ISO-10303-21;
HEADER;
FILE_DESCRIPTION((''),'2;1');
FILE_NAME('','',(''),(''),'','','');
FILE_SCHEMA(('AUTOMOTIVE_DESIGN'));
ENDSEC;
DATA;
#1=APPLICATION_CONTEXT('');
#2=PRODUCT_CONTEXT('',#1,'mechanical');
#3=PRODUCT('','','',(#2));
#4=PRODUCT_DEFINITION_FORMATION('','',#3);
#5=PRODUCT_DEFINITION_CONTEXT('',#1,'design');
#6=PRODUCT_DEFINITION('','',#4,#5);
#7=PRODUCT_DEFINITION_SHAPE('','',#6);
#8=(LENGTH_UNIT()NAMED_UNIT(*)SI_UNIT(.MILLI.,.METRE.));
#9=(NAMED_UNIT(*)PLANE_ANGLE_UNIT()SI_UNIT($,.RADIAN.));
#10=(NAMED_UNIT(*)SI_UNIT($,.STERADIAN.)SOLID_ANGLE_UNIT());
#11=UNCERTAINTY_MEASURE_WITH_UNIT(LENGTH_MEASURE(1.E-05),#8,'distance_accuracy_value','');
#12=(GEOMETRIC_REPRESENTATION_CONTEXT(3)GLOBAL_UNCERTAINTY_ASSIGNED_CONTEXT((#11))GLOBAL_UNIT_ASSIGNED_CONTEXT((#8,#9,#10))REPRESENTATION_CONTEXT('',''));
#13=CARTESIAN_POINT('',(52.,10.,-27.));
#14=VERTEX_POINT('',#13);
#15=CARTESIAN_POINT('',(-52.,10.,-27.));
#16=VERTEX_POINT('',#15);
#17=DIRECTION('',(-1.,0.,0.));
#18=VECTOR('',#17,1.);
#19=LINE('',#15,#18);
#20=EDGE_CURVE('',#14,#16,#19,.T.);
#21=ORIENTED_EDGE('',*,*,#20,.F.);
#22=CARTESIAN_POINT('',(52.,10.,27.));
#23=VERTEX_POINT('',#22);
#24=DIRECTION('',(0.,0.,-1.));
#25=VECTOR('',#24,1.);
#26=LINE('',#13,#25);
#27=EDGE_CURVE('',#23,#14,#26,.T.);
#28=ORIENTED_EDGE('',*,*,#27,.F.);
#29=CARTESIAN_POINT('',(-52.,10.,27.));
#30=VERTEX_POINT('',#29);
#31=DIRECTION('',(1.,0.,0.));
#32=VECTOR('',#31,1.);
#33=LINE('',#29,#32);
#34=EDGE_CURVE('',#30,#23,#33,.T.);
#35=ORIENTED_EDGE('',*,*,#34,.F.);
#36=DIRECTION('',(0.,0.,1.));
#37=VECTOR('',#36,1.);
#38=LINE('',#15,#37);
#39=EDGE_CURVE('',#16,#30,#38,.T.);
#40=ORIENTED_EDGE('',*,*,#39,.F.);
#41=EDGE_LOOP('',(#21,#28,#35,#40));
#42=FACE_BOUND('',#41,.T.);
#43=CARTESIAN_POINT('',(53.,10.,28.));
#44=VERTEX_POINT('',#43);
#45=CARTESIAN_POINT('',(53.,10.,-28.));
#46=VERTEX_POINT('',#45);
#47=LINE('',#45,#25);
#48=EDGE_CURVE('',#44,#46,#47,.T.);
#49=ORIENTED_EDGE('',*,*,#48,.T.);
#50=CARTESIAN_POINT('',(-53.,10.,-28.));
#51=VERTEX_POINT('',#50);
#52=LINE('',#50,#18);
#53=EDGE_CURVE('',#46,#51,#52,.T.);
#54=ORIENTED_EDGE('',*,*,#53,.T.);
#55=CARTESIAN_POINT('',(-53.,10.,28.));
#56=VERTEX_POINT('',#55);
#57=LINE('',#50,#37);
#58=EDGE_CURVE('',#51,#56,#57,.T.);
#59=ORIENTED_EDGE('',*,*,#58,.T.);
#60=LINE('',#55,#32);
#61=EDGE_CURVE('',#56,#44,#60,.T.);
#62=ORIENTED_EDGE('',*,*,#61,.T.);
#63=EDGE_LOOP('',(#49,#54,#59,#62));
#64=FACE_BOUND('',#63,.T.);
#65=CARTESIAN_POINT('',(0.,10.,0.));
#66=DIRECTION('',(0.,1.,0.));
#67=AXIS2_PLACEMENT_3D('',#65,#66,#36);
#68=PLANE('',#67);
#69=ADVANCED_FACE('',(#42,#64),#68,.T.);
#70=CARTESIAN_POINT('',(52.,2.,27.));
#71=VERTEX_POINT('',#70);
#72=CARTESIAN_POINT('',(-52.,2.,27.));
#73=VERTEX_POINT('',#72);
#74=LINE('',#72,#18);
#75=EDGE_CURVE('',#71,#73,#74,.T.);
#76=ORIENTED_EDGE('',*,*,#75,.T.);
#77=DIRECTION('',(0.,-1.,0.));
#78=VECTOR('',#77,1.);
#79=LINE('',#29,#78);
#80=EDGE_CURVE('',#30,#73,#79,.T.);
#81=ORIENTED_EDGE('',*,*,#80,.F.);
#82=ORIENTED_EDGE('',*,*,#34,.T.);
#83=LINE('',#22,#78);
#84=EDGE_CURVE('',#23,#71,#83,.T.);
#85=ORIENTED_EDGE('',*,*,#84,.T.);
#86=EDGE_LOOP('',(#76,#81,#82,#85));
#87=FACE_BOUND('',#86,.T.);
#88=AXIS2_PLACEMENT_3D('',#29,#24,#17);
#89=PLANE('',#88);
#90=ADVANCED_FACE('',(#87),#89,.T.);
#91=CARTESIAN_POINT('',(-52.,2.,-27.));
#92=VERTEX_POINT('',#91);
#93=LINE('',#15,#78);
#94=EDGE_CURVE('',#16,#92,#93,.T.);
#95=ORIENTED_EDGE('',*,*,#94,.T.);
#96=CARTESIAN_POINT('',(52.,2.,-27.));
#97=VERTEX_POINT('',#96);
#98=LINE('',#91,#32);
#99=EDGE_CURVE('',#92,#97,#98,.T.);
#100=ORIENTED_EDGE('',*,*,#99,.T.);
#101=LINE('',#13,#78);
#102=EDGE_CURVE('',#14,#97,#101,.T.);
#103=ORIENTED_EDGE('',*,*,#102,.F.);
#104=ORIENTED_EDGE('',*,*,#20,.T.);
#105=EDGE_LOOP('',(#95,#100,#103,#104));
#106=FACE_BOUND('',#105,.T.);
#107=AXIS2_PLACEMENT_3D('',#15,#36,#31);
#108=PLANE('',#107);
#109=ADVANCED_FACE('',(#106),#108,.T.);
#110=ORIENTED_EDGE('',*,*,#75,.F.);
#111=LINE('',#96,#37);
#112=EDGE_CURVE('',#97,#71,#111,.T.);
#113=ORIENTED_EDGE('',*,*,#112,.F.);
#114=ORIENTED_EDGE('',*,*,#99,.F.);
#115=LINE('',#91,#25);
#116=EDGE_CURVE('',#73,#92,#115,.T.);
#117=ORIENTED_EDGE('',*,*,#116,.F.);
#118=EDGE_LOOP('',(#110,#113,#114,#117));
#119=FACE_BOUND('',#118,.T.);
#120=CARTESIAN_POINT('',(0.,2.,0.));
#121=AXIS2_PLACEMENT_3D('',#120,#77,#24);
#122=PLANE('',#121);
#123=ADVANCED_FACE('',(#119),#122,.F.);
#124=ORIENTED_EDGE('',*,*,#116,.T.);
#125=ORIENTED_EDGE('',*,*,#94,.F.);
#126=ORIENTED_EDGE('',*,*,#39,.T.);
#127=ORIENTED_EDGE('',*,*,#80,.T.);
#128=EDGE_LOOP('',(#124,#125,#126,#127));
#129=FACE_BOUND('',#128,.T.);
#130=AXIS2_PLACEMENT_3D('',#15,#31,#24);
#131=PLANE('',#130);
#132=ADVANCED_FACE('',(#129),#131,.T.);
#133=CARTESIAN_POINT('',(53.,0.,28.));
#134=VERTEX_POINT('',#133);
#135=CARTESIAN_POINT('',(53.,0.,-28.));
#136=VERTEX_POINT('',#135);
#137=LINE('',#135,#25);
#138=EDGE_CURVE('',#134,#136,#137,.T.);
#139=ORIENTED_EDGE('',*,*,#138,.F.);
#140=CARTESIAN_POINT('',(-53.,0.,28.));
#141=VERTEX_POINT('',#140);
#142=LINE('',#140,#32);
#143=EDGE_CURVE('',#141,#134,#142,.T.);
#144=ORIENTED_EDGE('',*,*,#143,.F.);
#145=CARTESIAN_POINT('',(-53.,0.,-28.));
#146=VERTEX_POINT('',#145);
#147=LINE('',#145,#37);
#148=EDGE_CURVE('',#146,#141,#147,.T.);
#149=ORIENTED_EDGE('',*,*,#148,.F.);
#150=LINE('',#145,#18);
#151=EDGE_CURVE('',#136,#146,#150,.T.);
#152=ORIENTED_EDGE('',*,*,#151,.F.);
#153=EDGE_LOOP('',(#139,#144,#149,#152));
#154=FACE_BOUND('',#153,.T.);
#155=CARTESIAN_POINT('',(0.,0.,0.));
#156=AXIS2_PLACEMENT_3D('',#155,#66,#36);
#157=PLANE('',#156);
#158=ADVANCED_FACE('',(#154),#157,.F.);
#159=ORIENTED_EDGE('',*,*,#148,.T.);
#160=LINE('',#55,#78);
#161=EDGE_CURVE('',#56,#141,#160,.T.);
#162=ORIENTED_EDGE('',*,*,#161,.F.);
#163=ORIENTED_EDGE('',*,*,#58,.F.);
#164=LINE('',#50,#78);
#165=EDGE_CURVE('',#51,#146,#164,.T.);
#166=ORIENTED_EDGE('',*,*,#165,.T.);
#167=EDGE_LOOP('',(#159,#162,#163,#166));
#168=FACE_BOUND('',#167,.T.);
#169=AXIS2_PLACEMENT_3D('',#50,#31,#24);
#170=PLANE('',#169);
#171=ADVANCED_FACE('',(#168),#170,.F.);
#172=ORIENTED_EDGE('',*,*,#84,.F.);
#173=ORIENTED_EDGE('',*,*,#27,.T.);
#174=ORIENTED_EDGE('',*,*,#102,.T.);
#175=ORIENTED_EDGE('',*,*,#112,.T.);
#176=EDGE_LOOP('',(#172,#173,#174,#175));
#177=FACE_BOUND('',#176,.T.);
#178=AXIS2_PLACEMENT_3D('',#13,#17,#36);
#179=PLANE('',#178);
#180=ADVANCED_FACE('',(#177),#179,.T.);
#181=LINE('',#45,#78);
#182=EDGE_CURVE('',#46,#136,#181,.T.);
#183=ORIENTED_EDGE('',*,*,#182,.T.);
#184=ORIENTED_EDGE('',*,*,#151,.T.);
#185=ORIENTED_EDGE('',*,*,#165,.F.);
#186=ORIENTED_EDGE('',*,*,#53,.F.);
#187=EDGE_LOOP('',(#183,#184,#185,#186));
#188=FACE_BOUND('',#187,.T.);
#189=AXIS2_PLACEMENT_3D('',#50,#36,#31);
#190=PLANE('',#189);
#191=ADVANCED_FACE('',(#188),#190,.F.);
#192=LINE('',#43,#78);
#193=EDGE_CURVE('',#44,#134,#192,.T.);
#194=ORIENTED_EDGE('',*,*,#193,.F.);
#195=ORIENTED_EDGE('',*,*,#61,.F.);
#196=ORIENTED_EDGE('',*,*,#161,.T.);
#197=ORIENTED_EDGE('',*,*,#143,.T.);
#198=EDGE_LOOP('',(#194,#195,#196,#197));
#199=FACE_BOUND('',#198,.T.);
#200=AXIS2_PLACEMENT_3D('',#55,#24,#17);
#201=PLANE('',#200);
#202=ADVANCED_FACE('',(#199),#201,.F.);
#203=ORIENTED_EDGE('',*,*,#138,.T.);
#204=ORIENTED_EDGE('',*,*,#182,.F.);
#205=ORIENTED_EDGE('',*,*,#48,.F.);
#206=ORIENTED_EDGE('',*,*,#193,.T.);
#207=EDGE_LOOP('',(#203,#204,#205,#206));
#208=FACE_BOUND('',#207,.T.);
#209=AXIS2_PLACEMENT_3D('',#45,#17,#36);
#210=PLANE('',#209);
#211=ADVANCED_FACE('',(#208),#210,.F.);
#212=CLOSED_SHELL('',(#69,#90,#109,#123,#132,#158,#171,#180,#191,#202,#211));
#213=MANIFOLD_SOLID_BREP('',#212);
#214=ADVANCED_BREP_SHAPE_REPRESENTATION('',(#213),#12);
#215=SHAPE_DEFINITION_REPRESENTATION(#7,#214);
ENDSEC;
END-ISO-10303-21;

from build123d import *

# Parameters (mm, degrees)
SKETCH1_W           = 106
SKETCH1_H           = 56
SKETCH1_W_2         = 104
SKETCH1_H_2         = 54
BOSS_EXTRUDE1_DEPTH = 10
SKETCH2_W           = 106
SKETCH2_H           = 56
BOSS_EXTRUDE2_DEPTH = 2


with BuildPart() as part:
    # Sketch1 → Boss-Extrude1 (new body)
    with BuildSketch(Plane(origin=(0, 0, 0), x_dir=(1, 0, 0), z_dir=(0, 1, 0))):
        Rectangle(SKETCH1_W, SKETCH1_H)
        Rectangle(SKETCH1_W_2, SKETCH1_H_2, mode=Mode.SUBTRACT)
    extrude(amount=BOSS_EXTRUDE1_DEPTH)

    # Sketch2 → Boss-Extrude2 (add)
    with BuildSketch(Plane(origin=(0, 0, 0), x_dir=(1, 0, 0), z_dir=(0, 1, 0))):
        Rectangle(SKETCH2_W, SKETCH2_H)
    extrude(amount=BOSS_EXTRUDE2_DEPTH)


solid = part.part
